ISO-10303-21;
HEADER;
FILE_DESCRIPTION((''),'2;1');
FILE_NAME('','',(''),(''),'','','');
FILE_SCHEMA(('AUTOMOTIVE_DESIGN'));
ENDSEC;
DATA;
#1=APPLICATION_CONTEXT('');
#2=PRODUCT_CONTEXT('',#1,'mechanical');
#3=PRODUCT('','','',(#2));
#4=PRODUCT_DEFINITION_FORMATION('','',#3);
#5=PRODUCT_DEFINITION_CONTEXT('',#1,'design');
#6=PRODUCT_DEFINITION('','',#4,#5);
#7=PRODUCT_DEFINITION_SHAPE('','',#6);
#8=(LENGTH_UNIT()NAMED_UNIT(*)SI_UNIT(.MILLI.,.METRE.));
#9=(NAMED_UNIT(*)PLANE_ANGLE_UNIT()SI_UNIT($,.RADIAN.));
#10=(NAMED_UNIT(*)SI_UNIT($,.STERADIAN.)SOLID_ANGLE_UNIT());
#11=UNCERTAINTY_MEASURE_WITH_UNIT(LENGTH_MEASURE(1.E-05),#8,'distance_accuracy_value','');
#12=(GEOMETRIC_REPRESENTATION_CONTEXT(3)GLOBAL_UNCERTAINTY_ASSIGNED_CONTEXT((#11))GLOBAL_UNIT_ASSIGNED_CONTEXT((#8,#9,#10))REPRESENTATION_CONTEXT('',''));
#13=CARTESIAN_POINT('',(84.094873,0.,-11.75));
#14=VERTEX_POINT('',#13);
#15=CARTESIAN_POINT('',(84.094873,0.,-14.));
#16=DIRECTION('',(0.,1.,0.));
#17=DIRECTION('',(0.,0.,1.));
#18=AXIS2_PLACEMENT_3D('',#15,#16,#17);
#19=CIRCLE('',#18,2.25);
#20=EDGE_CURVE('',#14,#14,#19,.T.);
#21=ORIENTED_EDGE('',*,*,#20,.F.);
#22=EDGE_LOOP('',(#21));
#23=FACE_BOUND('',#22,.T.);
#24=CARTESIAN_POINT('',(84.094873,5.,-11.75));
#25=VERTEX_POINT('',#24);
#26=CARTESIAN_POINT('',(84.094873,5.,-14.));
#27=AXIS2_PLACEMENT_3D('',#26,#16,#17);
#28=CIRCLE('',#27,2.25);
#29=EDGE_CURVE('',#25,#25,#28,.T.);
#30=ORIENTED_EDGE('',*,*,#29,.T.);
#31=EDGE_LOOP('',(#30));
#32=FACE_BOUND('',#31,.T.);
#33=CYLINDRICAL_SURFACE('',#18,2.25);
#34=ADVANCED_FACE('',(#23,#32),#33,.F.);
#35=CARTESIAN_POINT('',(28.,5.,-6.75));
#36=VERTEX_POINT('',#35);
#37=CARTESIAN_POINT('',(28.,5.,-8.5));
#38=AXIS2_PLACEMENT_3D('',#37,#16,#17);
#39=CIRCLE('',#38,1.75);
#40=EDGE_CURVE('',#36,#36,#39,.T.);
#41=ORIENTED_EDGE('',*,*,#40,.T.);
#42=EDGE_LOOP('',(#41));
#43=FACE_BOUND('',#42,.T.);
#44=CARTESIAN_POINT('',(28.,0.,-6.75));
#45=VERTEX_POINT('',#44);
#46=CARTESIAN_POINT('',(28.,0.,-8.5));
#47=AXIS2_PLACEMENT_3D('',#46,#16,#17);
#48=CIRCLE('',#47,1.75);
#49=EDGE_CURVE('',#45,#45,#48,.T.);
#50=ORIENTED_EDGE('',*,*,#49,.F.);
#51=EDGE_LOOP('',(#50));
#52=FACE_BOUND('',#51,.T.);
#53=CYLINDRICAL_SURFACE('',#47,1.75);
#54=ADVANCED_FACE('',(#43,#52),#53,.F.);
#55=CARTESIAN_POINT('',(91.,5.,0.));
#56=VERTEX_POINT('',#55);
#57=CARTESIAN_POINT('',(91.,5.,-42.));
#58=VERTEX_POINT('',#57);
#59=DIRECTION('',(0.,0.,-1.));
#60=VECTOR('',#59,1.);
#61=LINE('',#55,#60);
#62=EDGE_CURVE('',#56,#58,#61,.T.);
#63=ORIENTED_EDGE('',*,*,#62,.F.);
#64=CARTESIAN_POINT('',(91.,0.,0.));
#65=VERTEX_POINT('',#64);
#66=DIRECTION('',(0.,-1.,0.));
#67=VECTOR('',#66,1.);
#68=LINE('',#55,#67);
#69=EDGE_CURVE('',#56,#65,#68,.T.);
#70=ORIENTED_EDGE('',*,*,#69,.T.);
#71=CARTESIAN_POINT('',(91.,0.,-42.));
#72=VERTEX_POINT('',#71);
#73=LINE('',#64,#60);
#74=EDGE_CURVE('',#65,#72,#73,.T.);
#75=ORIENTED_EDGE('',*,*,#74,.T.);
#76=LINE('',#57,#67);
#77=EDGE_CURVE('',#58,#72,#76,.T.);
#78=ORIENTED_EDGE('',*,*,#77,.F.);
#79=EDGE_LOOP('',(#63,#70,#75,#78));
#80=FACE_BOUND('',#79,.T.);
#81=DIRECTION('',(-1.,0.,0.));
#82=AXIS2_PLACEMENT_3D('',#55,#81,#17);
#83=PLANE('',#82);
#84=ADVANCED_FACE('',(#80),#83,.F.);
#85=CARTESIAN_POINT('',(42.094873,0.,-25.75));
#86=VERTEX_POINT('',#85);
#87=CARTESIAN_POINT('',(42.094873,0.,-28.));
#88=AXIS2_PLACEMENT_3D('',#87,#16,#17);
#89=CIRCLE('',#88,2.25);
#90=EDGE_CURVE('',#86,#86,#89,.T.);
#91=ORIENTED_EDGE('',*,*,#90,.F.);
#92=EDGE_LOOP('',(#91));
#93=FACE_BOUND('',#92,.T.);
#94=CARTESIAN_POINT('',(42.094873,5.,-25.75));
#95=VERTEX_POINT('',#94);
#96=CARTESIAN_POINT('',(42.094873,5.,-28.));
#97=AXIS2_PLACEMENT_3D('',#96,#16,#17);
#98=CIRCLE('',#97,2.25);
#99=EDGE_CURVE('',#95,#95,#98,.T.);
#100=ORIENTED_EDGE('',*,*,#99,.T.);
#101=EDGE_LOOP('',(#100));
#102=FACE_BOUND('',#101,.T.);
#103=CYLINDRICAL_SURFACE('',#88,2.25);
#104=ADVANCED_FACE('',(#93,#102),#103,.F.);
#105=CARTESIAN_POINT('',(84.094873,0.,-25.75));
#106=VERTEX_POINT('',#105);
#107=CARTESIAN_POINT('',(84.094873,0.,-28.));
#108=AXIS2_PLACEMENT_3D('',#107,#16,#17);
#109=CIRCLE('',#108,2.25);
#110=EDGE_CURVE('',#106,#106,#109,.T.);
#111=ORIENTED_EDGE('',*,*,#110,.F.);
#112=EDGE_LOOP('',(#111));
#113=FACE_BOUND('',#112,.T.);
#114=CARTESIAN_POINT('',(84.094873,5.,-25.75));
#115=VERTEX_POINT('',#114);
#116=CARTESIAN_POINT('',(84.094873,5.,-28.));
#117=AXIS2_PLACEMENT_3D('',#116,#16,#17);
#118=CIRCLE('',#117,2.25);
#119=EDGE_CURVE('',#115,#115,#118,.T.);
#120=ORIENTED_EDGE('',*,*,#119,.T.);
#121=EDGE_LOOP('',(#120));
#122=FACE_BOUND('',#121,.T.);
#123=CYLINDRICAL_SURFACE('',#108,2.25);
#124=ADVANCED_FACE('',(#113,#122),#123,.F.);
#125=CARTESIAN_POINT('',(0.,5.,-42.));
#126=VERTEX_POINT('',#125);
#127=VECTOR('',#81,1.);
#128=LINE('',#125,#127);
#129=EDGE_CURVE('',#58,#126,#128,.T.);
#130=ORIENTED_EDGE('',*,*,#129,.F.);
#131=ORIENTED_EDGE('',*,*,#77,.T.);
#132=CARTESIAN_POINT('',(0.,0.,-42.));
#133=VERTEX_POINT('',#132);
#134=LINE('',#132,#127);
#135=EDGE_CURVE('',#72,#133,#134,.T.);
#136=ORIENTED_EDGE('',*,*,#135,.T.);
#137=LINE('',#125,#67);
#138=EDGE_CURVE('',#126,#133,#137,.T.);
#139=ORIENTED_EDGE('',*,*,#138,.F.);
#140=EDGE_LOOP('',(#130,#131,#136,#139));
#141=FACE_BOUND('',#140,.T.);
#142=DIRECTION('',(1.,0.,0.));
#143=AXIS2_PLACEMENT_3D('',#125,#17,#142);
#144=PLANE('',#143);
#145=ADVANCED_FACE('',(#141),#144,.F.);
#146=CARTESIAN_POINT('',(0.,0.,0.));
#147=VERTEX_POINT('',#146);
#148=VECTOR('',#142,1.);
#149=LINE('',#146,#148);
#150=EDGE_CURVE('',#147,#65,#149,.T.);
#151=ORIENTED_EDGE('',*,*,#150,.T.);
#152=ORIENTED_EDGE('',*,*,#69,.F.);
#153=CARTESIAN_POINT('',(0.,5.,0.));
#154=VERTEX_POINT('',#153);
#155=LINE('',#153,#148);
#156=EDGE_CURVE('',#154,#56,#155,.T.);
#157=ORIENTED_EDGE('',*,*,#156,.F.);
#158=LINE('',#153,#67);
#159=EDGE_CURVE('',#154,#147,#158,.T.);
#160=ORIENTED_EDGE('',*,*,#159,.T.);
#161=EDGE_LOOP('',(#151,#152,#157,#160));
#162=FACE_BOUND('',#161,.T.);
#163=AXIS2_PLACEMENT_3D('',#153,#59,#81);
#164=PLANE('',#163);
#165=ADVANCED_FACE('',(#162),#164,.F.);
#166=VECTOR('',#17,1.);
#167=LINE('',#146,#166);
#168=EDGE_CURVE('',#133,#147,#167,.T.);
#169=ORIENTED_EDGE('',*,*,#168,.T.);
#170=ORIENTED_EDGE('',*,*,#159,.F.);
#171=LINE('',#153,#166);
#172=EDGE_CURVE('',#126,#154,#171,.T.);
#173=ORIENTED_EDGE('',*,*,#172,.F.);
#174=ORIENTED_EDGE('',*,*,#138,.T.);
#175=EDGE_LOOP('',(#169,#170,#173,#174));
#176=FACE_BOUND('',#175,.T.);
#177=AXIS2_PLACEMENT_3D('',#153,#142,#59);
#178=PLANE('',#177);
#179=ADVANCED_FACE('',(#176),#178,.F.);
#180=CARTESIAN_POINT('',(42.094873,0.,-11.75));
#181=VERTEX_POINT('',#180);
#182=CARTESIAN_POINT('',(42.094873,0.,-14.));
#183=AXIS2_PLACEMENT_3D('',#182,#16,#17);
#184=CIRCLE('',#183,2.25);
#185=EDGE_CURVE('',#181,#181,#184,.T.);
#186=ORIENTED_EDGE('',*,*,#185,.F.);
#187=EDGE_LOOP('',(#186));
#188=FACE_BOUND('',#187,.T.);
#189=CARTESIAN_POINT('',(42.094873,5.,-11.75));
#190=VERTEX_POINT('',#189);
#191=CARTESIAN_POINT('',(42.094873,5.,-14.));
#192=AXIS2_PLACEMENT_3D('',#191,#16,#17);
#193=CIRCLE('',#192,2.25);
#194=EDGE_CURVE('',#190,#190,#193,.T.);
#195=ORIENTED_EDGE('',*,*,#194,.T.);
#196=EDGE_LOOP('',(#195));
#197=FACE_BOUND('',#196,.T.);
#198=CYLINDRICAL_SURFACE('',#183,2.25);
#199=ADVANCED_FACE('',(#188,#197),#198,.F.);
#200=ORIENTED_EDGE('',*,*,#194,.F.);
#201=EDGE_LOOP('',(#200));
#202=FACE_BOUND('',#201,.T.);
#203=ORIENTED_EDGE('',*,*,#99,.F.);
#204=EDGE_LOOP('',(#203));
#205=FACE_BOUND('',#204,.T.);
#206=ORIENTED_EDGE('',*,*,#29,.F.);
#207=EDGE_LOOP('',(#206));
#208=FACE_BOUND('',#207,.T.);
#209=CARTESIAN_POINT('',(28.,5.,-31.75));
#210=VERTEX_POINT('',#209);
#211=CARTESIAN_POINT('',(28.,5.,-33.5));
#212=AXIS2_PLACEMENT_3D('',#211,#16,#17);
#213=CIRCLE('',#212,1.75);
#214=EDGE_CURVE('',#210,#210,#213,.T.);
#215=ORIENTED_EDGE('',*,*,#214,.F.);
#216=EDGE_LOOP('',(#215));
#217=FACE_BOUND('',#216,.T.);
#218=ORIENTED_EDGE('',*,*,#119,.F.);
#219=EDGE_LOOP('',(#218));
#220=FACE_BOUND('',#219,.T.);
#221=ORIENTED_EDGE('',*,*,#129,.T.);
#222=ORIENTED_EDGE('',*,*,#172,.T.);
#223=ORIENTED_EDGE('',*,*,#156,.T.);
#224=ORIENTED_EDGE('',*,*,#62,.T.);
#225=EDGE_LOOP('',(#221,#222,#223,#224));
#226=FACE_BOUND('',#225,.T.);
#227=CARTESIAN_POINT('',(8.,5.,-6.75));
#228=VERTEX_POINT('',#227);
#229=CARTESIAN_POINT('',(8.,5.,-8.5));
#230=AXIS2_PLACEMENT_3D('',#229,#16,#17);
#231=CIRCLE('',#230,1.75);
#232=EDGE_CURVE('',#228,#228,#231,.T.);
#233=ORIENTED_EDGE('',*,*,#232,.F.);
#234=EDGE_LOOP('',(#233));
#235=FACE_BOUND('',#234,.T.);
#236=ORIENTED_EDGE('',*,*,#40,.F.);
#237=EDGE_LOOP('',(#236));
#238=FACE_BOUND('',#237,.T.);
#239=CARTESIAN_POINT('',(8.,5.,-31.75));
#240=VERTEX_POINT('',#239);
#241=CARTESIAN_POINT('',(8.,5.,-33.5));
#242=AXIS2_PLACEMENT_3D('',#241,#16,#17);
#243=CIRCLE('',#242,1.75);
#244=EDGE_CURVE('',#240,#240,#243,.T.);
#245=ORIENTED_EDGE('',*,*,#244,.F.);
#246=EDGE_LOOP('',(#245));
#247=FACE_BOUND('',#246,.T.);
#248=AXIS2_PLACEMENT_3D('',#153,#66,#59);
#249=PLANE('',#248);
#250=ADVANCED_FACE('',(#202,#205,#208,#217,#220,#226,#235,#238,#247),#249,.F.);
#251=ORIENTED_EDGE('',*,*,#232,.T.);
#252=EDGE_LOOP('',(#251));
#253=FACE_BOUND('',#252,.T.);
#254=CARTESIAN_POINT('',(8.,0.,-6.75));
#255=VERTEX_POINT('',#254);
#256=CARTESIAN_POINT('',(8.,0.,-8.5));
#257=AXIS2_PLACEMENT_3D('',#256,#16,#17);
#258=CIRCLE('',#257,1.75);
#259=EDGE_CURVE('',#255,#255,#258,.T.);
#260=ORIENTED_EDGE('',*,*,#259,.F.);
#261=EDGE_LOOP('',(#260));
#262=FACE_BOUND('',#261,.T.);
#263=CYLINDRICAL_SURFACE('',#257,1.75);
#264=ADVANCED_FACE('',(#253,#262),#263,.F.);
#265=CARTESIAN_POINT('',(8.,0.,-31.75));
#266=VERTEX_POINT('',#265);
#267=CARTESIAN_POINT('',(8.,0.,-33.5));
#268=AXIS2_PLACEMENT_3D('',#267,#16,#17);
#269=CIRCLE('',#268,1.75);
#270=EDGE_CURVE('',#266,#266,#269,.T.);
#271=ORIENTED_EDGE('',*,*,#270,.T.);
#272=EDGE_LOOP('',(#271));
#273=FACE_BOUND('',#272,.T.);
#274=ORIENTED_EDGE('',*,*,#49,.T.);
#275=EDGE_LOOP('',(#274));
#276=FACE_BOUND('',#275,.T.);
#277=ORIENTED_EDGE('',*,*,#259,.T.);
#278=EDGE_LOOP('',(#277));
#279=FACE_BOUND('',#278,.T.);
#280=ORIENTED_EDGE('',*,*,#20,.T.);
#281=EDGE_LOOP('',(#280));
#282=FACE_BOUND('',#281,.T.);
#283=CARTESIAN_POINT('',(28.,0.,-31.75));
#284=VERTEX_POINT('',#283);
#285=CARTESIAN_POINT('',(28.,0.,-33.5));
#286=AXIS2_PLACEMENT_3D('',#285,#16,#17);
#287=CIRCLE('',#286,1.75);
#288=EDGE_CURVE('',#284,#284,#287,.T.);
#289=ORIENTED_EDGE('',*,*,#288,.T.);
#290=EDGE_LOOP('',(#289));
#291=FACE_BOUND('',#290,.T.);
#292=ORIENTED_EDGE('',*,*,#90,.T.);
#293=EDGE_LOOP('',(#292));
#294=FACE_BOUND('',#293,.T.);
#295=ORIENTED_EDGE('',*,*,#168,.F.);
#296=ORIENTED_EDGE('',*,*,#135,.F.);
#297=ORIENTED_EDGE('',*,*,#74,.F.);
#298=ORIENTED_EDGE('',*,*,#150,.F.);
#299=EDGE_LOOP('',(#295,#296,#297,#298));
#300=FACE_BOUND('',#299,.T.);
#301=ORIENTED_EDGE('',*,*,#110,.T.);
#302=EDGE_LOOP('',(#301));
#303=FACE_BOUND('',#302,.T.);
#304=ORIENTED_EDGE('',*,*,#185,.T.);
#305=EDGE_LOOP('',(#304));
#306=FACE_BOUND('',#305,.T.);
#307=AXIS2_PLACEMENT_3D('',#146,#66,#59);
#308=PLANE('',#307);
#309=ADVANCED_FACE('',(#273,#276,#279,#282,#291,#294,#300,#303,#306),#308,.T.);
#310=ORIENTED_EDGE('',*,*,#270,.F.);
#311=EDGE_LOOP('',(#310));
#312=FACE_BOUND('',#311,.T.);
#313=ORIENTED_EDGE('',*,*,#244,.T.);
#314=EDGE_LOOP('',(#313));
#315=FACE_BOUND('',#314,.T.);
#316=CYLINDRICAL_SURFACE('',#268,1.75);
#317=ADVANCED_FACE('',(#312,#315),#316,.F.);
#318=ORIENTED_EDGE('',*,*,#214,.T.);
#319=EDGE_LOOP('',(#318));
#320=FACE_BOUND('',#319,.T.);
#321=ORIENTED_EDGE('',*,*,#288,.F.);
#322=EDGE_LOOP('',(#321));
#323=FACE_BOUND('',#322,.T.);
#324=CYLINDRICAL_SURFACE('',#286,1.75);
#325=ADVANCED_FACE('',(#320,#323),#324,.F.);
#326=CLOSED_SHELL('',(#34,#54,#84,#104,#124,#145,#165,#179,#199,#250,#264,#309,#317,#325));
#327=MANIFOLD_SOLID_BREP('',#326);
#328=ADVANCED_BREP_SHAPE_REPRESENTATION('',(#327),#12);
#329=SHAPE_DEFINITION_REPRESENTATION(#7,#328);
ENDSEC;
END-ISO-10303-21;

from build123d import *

# Parameters (mm, degrees)
SKETCH_1_W          = 91
SKETCH_1_H          = 42
EXTRUDE_1_DEPTH     = 5
SKETCH_2_R          = 1.75
SKETCH_2_R_2        = 2.25
CUT_EXTRUDE_1_DEPTH = 5


with BuildPart() as part:
    # 스케치1 → 보스-돌출1 (new body)
    with BuildSketch(Plane(origin=(0, 0, 0), x_dir=(1, 0, 0), z_dir=(0, 1, 0))):
        with Locations((45.5, 21)):
            Rectangle(SKETCH_1_W, SKETCH_1_H)
    extrude(amount=EXTRUDE_1_DEPTH)

    # 스케치2 → 컷-돌출1 (cut)
    with BuildSketch(Plane(origin=(0, 5, 0), x_dir=(1, 0, 0), z_dir=(0, 1, 0))):
        with Locations(Location((28, 33.5, 0), (0, 0, 270))):
            Circle(SKETCH_2_R)
        with Locations(Location((28, 8.5, 0), (0, 0, 270))):
            Circle(SKETCH_2_R)
        with Locations(Location((8, 8.5, 0), (0, 0, 270))):
            Circle(SKETCH_2_R)
        with Locations(Location((8, 33.5, 0), (0, 0, 270))):
            Circle(SKETCH_2_R)
        with Locations(Location((42.094873015, 28, 0), (0, 0, 270))):
            Circle(SKETCH_2_R_2)
        with Locations(Location((42.094873015, 14, 0), (0, 0, 270))):
            Circle(SKETCH_2_R_2)
        with Locations(Location((84.094873015, 14, 0), (0, 0, 270))):
            Circle(SKETCH_2_R_2)
        with Locations(Location((84.094873015, 28, 0), (0, 0, 270))):
            Circle(SKETCH_2_R_2)
    extrude(amount=-CUT_EXTRUDE_1_DEPTH, mode=Mode.SUBTRACT)


solid = part.part
